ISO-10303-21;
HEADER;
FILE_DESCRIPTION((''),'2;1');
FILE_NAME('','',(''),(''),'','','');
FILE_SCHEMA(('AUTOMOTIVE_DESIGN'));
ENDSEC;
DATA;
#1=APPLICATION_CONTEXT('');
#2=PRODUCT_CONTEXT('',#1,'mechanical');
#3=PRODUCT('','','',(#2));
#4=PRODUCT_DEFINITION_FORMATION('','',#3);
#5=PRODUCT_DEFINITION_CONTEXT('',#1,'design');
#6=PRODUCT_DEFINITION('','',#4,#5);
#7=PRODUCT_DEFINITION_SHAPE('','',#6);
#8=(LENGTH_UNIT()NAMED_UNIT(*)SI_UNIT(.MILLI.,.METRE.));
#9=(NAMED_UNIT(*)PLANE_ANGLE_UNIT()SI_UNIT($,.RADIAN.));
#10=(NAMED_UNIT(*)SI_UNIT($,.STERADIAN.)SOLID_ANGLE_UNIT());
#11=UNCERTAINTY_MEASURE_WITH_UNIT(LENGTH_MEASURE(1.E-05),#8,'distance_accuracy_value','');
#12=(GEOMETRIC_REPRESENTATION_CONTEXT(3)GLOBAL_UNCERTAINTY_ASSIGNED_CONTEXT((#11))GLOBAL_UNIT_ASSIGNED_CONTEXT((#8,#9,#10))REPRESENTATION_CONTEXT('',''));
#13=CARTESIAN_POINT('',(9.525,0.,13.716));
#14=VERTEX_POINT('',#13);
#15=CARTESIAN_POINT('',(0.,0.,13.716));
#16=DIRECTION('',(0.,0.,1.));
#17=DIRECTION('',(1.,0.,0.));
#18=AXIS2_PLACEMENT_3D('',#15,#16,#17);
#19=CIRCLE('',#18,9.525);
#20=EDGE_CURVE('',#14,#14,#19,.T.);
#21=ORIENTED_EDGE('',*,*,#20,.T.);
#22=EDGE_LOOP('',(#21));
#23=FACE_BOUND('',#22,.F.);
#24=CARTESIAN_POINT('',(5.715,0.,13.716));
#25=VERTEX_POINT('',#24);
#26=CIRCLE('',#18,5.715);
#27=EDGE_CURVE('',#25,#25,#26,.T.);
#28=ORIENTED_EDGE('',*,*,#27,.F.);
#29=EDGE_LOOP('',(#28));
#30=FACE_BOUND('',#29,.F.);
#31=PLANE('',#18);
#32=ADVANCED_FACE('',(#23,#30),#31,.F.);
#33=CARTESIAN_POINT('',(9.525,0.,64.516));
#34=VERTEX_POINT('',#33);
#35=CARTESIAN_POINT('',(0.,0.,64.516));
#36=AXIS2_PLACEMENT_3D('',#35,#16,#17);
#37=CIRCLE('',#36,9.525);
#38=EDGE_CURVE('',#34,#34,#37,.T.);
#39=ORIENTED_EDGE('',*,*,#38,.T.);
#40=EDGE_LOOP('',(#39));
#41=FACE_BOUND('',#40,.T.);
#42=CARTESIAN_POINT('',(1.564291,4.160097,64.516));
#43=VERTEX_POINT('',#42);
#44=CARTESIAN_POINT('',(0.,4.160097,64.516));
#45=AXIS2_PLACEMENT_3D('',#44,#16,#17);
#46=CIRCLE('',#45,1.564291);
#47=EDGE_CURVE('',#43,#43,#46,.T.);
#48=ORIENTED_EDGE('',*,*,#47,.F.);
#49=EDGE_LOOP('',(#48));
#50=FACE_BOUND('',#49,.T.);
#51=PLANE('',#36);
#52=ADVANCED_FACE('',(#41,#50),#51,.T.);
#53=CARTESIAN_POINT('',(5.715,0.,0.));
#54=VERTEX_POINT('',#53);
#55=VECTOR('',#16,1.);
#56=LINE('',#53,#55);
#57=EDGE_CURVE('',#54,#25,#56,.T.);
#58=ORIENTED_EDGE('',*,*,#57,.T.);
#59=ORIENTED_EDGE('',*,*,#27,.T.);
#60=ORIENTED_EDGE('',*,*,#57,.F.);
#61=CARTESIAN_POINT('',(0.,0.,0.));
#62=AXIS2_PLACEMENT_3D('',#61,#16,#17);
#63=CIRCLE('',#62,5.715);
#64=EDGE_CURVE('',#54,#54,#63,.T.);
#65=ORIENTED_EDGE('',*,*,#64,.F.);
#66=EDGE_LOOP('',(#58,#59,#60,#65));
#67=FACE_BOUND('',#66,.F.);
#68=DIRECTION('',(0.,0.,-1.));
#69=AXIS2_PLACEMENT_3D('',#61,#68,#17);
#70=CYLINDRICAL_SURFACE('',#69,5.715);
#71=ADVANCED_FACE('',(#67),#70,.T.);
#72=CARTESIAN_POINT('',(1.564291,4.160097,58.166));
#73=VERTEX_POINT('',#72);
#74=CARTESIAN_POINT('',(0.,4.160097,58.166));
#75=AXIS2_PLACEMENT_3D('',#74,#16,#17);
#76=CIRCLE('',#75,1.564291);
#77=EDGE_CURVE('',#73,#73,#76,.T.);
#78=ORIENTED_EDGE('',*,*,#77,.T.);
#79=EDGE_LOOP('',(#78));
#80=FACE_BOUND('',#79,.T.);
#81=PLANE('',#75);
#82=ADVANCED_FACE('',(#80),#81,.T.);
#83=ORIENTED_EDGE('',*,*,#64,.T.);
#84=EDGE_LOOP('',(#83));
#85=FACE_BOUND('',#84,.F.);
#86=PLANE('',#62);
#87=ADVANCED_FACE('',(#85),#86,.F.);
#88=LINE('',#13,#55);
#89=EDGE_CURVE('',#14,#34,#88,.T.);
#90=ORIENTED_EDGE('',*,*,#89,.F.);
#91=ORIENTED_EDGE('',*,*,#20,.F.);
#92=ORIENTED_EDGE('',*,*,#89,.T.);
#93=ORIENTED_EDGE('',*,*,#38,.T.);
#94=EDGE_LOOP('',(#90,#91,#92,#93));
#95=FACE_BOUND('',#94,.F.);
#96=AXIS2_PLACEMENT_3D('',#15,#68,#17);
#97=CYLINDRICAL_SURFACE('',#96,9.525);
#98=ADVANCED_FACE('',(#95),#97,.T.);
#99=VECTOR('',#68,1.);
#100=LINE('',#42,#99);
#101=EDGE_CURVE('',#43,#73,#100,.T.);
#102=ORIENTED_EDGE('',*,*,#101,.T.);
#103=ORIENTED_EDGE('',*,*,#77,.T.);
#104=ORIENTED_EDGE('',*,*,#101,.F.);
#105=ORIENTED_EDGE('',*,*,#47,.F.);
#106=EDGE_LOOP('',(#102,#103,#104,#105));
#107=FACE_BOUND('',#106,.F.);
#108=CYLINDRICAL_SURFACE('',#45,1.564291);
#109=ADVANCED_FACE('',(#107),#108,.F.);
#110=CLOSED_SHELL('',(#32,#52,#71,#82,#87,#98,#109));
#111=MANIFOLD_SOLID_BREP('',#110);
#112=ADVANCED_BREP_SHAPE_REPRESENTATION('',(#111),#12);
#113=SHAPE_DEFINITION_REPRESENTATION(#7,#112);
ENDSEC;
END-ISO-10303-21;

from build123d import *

# Parameters (mm, degrees)
F0_R     = 5.715
F1_DEPTH = 13.716
F2_R     = 9.525
F2_R_2   = 5.715
F3_DEPTH = 50.8
F4_R     = 1.564291
F5_DEPTH = 6.35


with BuildPart() as f1:
    # F0 (on Top) → F1 (new body)
    with BuildSketch(Plane.XY):
        Circle(F0_R)
    extrude(amount=F1_DEPTH)

    # F2 (on face) → F3 (join)
    with BuildSketch(Plane.XY.offset(13.716)):
        Circle(F2_R)
        Circle(F2_R_2, mode=Mode.SUBTRACT)
        Circle(F2_R_2)
    extrude(amount=F3_DEPTH)

    # F4 (on face) → F5 (cut)
    with BuildSketch(Plane.XY.offset(64.516)):
        with Locations((0, 4.160097)):
            Circle(F4_R)
    extrude(amount=-F5_DEPTH, mode=Mode.SUBTRACT)


solid = f1.part
